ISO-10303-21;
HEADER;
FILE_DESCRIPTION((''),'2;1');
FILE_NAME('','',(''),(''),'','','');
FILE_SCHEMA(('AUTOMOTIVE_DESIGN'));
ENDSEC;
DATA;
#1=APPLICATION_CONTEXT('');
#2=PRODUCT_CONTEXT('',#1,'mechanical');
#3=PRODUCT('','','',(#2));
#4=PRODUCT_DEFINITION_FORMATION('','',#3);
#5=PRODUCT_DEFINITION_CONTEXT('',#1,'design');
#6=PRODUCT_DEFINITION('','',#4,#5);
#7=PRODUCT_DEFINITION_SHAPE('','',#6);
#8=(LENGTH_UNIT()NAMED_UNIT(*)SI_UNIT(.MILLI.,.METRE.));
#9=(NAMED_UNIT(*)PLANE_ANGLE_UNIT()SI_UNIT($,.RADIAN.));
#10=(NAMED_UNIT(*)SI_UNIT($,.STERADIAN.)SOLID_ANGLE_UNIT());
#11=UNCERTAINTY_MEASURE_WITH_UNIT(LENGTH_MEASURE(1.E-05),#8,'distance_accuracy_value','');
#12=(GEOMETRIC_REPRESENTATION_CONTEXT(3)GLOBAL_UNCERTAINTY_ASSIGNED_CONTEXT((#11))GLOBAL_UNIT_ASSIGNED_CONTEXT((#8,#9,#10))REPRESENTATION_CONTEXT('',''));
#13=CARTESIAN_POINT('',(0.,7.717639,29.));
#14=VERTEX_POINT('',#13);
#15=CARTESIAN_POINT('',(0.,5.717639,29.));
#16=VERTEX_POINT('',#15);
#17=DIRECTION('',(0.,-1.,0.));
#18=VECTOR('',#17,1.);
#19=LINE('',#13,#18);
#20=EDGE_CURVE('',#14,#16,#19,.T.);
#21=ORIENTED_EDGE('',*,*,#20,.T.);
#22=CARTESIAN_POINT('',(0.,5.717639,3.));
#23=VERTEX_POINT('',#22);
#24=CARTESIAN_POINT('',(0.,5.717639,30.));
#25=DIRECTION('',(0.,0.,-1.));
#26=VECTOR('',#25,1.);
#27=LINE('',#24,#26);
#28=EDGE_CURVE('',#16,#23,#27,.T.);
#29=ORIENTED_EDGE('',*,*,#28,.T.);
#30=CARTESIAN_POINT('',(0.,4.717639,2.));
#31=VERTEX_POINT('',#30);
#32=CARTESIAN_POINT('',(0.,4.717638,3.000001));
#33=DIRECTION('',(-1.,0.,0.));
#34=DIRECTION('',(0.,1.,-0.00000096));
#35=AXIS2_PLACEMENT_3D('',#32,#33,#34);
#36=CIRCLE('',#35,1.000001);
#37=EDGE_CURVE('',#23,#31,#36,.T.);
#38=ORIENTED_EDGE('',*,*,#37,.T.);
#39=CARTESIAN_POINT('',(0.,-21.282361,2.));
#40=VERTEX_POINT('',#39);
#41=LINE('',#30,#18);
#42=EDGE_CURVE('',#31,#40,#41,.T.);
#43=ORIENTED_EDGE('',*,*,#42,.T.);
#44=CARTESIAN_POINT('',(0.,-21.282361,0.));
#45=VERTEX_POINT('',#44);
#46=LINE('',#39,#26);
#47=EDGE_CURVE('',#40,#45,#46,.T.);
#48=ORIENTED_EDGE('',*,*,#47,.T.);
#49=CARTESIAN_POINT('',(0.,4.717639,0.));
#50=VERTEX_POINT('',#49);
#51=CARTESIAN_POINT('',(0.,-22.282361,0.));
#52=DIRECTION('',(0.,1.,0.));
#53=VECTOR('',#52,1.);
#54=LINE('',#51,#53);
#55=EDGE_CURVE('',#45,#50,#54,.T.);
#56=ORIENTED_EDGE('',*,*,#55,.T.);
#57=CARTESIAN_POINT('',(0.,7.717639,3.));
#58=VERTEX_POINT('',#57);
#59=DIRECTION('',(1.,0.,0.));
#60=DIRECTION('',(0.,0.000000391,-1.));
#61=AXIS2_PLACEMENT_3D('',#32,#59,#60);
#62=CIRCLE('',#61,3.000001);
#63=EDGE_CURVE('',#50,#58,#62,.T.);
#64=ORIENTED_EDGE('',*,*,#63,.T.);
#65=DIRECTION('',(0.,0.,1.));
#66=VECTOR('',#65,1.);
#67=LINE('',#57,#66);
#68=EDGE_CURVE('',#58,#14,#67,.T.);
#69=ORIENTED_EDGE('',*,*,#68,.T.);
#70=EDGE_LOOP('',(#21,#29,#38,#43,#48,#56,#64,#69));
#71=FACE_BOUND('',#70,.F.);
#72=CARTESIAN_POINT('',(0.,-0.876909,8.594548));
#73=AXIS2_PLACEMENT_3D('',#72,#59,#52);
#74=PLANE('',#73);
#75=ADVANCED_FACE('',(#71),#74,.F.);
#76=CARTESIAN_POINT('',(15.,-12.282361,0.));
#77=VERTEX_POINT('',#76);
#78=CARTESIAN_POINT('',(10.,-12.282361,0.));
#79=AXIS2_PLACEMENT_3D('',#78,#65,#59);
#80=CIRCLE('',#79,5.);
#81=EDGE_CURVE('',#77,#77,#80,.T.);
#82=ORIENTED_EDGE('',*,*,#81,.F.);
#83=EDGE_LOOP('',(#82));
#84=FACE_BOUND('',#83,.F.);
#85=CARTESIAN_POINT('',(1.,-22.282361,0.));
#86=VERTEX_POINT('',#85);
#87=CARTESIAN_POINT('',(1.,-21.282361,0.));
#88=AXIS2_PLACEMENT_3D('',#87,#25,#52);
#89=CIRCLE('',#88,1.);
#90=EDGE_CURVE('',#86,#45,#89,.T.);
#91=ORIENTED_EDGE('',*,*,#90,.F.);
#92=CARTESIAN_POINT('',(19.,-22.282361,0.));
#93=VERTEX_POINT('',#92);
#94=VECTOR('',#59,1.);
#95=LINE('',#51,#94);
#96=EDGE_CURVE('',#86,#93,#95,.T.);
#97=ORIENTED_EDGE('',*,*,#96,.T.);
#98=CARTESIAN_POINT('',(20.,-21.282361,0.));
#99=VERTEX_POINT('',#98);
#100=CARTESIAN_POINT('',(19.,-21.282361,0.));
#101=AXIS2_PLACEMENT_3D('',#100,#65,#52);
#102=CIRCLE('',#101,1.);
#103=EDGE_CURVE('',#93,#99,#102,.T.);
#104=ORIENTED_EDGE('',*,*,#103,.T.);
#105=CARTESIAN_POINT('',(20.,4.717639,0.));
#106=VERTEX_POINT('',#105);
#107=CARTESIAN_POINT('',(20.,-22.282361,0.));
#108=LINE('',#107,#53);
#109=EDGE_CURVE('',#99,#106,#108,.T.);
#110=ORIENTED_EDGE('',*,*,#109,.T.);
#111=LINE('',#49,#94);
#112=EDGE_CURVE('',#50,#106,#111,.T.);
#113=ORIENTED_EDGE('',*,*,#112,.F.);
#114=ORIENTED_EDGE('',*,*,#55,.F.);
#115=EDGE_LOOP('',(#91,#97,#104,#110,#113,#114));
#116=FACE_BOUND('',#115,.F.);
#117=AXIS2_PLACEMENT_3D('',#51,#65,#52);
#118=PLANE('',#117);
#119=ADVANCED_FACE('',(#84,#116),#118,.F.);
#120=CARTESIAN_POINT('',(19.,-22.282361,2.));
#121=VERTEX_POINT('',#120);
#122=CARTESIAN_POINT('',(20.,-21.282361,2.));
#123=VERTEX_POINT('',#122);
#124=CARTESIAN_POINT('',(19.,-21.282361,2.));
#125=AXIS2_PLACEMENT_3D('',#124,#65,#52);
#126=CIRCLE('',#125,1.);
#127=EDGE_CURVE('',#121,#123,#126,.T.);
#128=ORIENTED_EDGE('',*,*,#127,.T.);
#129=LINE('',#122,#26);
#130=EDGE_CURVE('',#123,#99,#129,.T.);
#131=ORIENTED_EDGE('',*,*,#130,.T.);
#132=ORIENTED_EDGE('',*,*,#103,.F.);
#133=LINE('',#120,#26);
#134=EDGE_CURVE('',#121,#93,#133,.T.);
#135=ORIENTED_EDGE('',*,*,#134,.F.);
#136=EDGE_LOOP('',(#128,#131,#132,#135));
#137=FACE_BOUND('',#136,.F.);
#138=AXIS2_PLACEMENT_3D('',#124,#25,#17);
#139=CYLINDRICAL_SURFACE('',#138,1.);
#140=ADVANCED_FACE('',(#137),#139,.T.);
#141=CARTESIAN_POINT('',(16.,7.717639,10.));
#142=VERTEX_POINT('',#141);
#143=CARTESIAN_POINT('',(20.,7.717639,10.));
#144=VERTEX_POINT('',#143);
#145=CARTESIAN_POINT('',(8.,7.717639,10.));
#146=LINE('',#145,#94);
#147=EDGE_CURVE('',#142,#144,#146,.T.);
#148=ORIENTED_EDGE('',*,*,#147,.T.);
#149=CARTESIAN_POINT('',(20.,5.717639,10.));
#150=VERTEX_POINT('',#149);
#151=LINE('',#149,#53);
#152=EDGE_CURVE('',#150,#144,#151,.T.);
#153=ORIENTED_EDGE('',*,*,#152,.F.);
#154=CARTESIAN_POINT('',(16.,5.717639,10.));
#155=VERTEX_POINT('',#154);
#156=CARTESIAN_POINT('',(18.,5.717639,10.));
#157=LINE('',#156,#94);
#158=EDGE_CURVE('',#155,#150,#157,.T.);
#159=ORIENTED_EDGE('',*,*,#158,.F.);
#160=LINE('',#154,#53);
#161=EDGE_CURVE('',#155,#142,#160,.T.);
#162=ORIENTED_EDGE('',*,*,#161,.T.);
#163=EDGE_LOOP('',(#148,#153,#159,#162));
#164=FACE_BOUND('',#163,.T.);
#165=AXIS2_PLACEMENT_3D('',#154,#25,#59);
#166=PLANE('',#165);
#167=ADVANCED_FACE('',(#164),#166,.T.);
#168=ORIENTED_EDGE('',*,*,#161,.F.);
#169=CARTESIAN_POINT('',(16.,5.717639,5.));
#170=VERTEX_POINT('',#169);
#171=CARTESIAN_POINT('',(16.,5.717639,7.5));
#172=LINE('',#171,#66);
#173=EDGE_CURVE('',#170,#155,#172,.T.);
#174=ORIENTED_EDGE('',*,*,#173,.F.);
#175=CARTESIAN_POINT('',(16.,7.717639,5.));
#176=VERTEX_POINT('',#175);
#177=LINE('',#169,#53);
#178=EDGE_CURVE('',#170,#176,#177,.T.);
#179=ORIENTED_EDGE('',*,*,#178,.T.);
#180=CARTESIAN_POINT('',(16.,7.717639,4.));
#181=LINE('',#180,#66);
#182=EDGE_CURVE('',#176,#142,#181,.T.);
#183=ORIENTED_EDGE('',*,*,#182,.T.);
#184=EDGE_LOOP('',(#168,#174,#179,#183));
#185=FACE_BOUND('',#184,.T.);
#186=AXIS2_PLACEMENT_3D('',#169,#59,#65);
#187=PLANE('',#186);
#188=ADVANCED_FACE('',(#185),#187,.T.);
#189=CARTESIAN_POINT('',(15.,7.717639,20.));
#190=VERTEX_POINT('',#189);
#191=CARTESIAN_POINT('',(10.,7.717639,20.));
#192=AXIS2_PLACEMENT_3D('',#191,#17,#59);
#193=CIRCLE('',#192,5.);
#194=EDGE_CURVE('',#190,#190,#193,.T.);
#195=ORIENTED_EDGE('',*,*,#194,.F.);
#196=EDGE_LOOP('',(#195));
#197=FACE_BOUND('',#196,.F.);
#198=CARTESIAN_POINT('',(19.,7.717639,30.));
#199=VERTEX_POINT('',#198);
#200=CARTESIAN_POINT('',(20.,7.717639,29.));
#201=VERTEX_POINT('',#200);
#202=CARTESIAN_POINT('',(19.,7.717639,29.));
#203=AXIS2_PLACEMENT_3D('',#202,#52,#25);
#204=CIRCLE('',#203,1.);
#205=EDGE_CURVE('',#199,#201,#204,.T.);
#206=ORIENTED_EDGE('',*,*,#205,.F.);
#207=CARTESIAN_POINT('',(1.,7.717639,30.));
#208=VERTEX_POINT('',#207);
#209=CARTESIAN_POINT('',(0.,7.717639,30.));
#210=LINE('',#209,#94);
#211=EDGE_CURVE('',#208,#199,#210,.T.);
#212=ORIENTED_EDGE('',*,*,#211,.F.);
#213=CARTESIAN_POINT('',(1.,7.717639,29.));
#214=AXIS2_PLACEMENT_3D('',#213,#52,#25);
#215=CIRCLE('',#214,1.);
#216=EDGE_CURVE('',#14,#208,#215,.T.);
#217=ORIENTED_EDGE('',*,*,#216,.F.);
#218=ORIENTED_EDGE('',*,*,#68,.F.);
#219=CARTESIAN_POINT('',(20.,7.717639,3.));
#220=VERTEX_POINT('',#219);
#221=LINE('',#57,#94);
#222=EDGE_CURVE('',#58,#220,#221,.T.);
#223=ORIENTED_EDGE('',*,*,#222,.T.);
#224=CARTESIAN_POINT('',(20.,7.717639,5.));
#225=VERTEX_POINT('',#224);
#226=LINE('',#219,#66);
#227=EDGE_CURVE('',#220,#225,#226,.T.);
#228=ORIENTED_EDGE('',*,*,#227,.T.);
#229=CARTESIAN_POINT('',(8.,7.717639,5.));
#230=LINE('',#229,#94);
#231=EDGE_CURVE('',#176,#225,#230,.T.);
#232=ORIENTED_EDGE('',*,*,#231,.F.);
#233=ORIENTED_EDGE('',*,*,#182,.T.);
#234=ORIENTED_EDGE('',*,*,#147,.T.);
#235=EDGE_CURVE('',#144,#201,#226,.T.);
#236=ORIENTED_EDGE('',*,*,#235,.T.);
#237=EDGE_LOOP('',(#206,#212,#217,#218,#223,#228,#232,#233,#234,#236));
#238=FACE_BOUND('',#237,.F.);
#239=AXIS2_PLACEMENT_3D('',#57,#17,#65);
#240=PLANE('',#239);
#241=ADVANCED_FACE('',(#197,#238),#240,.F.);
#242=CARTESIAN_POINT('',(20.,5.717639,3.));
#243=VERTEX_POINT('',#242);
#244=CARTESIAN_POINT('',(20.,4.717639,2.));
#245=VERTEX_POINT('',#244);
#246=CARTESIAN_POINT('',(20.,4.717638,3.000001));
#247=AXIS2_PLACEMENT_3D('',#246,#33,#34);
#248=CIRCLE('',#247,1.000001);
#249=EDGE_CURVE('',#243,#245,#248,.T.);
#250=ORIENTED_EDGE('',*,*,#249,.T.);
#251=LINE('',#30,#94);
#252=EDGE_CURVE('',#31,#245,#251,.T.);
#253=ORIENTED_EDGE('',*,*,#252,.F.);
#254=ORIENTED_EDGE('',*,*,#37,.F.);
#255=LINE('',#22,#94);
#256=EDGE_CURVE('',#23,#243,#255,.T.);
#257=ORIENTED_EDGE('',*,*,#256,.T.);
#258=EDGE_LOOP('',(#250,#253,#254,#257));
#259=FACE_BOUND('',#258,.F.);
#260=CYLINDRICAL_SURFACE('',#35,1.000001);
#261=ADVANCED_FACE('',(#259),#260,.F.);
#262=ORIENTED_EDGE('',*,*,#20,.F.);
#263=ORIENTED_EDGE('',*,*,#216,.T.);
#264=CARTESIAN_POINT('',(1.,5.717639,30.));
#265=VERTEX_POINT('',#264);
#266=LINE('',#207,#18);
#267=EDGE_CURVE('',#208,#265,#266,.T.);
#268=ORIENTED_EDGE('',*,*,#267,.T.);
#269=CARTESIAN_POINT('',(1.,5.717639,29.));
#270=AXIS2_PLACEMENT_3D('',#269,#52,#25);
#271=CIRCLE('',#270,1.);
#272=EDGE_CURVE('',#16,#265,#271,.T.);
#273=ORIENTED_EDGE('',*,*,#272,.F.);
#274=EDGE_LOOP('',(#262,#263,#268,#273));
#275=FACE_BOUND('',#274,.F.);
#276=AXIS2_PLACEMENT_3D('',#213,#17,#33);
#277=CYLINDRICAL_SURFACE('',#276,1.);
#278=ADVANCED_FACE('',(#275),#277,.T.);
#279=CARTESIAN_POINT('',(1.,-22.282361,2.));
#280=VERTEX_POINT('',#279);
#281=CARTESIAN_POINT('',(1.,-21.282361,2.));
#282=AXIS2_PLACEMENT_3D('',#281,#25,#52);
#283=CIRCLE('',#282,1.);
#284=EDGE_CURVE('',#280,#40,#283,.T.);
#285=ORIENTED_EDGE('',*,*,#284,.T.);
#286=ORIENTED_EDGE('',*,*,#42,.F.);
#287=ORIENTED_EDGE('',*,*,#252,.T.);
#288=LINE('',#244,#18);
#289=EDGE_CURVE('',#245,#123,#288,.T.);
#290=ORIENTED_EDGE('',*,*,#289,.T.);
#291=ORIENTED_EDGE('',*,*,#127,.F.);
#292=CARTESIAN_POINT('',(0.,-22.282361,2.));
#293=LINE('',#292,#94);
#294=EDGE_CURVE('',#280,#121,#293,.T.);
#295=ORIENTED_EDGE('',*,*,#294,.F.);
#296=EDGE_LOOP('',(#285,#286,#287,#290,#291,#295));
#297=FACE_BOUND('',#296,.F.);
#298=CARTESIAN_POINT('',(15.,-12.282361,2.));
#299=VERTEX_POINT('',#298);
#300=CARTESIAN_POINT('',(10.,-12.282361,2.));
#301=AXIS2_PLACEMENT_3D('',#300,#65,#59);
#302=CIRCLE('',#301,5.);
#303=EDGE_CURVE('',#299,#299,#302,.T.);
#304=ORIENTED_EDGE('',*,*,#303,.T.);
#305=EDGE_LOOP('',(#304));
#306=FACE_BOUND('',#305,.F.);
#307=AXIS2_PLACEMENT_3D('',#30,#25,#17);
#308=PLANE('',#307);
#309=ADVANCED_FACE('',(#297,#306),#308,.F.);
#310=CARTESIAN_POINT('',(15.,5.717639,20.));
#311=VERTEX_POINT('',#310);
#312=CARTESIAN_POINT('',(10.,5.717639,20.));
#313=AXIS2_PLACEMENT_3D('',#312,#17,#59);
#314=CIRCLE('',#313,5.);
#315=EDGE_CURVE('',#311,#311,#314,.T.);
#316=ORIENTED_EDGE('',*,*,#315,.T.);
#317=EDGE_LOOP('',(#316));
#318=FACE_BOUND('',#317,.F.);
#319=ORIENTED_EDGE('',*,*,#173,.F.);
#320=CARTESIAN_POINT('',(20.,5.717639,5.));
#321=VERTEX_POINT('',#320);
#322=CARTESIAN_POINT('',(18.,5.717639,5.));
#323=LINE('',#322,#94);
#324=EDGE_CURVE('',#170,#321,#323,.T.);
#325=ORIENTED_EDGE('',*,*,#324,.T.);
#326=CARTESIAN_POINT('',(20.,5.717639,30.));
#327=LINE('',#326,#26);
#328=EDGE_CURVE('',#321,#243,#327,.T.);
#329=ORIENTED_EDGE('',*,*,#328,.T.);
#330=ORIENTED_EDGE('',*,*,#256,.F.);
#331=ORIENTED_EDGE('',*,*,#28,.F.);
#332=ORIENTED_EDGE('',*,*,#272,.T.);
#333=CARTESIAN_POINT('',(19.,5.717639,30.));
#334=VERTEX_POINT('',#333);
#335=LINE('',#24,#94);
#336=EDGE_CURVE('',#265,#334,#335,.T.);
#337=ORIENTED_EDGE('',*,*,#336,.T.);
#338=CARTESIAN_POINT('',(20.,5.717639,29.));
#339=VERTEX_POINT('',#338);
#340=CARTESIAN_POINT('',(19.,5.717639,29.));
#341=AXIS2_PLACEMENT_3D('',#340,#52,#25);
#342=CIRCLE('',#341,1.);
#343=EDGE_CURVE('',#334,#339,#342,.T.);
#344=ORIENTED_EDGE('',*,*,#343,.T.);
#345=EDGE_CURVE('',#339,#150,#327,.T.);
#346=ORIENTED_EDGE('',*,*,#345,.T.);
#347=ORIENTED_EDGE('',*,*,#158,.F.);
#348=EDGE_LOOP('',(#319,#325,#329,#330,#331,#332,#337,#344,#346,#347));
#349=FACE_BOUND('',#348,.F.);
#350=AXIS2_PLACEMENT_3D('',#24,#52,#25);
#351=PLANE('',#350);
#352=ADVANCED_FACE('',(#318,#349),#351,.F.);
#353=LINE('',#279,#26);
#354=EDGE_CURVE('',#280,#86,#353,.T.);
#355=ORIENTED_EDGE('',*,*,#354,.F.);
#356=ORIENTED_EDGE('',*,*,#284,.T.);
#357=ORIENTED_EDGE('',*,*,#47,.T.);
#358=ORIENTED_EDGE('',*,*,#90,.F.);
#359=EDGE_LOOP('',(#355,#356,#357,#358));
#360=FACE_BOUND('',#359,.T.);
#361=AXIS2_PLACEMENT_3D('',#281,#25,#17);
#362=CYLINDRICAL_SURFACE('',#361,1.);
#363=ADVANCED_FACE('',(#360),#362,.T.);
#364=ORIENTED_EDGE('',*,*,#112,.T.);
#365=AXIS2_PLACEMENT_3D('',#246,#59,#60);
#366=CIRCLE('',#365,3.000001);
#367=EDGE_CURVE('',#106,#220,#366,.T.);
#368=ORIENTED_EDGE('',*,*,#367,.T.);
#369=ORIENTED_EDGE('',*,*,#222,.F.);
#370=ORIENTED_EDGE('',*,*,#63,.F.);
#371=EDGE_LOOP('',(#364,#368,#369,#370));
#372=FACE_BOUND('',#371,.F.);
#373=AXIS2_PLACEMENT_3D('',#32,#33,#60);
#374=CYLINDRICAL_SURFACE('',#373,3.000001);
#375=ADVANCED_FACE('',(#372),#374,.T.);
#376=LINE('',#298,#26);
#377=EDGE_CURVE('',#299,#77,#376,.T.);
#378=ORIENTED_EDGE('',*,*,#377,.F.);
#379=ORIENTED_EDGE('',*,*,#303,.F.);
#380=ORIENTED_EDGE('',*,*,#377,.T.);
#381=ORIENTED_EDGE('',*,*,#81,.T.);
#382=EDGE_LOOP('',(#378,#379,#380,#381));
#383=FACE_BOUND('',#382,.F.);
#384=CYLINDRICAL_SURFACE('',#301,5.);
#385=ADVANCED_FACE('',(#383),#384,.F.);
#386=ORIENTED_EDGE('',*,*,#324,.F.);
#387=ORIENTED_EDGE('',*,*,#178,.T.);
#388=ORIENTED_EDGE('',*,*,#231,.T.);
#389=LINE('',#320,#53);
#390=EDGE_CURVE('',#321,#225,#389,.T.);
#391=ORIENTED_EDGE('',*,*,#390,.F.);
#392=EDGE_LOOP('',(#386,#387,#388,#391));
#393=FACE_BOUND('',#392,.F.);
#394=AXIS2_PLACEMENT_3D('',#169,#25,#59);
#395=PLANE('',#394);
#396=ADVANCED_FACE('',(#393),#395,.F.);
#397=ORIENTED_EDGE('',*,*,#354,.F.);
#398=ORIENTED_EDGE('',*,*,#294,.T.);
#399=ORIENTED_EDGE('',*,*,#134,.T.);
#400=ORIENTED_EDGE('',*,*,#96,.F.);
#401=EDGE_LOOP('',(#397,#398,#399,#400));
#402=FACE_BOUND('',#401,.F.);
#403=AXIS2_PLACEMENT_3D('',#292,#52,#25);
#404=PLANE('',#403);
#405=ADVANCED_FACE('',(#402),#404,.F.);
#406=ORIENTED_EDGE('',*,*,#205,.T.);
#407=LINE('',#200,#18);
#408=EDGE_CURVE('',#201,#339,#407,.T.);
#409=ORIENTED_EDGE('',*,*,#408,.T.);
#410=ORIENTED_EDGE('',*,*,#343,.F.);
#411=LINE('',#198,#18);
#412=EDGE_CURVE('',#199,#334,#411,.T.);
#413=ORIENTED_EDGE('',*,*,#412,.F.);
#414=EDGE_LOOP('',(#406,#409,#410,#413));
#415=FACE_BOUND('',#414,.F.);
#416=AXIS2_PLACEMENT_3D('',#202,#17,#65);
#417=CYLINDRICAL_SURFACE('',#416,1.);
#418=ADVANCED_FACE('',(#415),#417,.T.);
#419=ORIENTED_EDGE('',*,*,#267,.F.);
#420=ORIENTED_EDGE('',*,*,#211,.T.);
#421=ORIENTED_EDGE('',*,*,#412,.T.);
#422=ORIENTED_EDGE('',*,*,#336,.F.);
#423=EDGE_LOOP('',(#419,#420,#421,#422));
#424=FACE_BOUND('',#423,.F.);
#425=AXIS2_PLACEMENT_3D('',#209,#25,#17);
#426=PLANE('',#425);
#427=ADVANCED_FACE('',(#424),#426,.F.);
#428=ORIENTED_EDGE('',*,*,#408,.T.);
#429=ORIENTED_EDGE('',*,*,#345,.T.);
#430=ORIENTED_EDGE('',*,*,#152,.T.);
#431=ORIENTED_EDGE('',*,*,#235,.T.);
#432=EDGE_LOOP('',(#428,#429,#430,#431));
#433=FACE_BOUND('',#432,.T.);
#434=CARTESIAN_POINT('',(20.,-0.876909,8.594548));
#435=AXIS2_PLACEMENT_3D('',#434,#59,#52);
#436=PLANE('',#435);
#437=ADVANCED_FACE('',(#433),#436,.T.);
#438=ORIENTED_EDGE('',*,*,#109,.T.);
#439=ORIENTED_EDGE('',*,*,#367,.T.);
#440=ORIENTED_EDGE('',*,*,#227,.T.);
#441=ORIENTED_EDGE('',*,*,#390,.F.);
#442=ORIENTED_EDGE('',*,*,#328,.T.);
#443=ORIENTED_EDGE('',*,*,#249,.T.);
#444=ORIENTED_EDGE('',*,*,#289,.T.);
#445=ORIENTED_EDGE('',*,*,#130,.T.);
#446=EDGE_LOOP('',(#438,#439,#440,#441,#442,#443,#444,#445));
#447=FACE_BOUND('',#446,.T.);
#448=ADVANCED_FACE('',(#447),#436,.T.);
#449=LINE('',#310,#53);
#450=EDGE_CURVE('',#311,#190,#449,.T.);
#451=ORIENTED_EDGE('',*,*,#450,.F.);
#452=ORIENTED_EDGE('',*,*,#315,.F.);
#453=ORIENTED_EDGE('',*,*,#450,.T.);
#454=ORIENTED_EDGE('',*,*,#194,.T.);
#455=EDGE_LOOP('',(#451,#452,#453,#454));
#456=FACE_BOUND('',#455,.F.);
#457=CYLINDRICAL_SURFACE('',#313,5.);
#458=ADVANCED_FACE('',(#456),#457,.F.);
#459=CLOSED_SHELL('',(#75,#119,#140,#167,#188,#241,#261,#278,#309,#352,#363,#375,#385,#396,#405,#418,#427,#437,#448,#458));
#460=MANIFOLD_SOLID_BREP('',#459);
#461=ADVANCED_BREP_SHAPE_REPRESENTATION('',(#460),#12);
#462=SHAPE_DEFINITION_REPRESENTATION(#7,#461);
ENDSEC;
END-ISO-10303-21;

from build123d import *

# Parameters (mm, degrees)
F1_DEPTH = 20
F2_R     = 5
F3_DEPTH = 25
F4_R     = 5
F4_W     = 4
F4_H     = 5
F5_DEPTH = 25
F6_R     = 1


with BuildPart() as f1:
    # F0 (on Right) → F1 (new body)
    with BuildSketch(Plane.YZ):
        with BuildLine():
            Line((-22.282361, 2), (-22.282361, 0))
            Line((-22.282361, 0), (4.717639, 0))
            ThreePointArc((4.717639, 0), (6.838959, 0.87868), (7.717639, 3))
            Line((7.717639, 3), (7.717639, 30))
            Line((7.717639, 30), (5.717639, 30))
            Line((5.717639, 30), (5.717639, 3))
            ThreePointArc((5.717639, 3), (5.424745, 2.292893), (4.717639, 2))
            Line((4.717639, 2), (-22.282361, 2))
        make_face()
    extrude(amount=F1_DEPTH)

    # F2 (on face) → F3 (cut)
    with BuildSketch(Plane.XY.offset(2)):
        with Locations((10, -12.282361)):
            Circle(F2_R)
    extrude(amount=-F3_DEPTH, mode=Mode.SUBTRACT)

    # F4 (on face) → F5 (cut)
    with BuildSketch(Plane.XZ.offset(-5.717639)):
        with Locations((10, 20)):
            Circle(F4_R)
        with Locations((18, 7.5)):
            Rectangle(F4_W, F4_H)
    extrude(amount=-F5_DEPTH, mode=Mode.SUBTRACT)

    # F6
    f6_edges = [f1.edges().sort_by_distance(p)[0] for p in [
        (20, 6.717639, 30),
        (20, -22.282361, 1),
        (0, -22.282361, 1),
        (0, 6.717639, 30),
    ]]
    fillet(f6_edges, radius=F6_R)


solid = f1.part
